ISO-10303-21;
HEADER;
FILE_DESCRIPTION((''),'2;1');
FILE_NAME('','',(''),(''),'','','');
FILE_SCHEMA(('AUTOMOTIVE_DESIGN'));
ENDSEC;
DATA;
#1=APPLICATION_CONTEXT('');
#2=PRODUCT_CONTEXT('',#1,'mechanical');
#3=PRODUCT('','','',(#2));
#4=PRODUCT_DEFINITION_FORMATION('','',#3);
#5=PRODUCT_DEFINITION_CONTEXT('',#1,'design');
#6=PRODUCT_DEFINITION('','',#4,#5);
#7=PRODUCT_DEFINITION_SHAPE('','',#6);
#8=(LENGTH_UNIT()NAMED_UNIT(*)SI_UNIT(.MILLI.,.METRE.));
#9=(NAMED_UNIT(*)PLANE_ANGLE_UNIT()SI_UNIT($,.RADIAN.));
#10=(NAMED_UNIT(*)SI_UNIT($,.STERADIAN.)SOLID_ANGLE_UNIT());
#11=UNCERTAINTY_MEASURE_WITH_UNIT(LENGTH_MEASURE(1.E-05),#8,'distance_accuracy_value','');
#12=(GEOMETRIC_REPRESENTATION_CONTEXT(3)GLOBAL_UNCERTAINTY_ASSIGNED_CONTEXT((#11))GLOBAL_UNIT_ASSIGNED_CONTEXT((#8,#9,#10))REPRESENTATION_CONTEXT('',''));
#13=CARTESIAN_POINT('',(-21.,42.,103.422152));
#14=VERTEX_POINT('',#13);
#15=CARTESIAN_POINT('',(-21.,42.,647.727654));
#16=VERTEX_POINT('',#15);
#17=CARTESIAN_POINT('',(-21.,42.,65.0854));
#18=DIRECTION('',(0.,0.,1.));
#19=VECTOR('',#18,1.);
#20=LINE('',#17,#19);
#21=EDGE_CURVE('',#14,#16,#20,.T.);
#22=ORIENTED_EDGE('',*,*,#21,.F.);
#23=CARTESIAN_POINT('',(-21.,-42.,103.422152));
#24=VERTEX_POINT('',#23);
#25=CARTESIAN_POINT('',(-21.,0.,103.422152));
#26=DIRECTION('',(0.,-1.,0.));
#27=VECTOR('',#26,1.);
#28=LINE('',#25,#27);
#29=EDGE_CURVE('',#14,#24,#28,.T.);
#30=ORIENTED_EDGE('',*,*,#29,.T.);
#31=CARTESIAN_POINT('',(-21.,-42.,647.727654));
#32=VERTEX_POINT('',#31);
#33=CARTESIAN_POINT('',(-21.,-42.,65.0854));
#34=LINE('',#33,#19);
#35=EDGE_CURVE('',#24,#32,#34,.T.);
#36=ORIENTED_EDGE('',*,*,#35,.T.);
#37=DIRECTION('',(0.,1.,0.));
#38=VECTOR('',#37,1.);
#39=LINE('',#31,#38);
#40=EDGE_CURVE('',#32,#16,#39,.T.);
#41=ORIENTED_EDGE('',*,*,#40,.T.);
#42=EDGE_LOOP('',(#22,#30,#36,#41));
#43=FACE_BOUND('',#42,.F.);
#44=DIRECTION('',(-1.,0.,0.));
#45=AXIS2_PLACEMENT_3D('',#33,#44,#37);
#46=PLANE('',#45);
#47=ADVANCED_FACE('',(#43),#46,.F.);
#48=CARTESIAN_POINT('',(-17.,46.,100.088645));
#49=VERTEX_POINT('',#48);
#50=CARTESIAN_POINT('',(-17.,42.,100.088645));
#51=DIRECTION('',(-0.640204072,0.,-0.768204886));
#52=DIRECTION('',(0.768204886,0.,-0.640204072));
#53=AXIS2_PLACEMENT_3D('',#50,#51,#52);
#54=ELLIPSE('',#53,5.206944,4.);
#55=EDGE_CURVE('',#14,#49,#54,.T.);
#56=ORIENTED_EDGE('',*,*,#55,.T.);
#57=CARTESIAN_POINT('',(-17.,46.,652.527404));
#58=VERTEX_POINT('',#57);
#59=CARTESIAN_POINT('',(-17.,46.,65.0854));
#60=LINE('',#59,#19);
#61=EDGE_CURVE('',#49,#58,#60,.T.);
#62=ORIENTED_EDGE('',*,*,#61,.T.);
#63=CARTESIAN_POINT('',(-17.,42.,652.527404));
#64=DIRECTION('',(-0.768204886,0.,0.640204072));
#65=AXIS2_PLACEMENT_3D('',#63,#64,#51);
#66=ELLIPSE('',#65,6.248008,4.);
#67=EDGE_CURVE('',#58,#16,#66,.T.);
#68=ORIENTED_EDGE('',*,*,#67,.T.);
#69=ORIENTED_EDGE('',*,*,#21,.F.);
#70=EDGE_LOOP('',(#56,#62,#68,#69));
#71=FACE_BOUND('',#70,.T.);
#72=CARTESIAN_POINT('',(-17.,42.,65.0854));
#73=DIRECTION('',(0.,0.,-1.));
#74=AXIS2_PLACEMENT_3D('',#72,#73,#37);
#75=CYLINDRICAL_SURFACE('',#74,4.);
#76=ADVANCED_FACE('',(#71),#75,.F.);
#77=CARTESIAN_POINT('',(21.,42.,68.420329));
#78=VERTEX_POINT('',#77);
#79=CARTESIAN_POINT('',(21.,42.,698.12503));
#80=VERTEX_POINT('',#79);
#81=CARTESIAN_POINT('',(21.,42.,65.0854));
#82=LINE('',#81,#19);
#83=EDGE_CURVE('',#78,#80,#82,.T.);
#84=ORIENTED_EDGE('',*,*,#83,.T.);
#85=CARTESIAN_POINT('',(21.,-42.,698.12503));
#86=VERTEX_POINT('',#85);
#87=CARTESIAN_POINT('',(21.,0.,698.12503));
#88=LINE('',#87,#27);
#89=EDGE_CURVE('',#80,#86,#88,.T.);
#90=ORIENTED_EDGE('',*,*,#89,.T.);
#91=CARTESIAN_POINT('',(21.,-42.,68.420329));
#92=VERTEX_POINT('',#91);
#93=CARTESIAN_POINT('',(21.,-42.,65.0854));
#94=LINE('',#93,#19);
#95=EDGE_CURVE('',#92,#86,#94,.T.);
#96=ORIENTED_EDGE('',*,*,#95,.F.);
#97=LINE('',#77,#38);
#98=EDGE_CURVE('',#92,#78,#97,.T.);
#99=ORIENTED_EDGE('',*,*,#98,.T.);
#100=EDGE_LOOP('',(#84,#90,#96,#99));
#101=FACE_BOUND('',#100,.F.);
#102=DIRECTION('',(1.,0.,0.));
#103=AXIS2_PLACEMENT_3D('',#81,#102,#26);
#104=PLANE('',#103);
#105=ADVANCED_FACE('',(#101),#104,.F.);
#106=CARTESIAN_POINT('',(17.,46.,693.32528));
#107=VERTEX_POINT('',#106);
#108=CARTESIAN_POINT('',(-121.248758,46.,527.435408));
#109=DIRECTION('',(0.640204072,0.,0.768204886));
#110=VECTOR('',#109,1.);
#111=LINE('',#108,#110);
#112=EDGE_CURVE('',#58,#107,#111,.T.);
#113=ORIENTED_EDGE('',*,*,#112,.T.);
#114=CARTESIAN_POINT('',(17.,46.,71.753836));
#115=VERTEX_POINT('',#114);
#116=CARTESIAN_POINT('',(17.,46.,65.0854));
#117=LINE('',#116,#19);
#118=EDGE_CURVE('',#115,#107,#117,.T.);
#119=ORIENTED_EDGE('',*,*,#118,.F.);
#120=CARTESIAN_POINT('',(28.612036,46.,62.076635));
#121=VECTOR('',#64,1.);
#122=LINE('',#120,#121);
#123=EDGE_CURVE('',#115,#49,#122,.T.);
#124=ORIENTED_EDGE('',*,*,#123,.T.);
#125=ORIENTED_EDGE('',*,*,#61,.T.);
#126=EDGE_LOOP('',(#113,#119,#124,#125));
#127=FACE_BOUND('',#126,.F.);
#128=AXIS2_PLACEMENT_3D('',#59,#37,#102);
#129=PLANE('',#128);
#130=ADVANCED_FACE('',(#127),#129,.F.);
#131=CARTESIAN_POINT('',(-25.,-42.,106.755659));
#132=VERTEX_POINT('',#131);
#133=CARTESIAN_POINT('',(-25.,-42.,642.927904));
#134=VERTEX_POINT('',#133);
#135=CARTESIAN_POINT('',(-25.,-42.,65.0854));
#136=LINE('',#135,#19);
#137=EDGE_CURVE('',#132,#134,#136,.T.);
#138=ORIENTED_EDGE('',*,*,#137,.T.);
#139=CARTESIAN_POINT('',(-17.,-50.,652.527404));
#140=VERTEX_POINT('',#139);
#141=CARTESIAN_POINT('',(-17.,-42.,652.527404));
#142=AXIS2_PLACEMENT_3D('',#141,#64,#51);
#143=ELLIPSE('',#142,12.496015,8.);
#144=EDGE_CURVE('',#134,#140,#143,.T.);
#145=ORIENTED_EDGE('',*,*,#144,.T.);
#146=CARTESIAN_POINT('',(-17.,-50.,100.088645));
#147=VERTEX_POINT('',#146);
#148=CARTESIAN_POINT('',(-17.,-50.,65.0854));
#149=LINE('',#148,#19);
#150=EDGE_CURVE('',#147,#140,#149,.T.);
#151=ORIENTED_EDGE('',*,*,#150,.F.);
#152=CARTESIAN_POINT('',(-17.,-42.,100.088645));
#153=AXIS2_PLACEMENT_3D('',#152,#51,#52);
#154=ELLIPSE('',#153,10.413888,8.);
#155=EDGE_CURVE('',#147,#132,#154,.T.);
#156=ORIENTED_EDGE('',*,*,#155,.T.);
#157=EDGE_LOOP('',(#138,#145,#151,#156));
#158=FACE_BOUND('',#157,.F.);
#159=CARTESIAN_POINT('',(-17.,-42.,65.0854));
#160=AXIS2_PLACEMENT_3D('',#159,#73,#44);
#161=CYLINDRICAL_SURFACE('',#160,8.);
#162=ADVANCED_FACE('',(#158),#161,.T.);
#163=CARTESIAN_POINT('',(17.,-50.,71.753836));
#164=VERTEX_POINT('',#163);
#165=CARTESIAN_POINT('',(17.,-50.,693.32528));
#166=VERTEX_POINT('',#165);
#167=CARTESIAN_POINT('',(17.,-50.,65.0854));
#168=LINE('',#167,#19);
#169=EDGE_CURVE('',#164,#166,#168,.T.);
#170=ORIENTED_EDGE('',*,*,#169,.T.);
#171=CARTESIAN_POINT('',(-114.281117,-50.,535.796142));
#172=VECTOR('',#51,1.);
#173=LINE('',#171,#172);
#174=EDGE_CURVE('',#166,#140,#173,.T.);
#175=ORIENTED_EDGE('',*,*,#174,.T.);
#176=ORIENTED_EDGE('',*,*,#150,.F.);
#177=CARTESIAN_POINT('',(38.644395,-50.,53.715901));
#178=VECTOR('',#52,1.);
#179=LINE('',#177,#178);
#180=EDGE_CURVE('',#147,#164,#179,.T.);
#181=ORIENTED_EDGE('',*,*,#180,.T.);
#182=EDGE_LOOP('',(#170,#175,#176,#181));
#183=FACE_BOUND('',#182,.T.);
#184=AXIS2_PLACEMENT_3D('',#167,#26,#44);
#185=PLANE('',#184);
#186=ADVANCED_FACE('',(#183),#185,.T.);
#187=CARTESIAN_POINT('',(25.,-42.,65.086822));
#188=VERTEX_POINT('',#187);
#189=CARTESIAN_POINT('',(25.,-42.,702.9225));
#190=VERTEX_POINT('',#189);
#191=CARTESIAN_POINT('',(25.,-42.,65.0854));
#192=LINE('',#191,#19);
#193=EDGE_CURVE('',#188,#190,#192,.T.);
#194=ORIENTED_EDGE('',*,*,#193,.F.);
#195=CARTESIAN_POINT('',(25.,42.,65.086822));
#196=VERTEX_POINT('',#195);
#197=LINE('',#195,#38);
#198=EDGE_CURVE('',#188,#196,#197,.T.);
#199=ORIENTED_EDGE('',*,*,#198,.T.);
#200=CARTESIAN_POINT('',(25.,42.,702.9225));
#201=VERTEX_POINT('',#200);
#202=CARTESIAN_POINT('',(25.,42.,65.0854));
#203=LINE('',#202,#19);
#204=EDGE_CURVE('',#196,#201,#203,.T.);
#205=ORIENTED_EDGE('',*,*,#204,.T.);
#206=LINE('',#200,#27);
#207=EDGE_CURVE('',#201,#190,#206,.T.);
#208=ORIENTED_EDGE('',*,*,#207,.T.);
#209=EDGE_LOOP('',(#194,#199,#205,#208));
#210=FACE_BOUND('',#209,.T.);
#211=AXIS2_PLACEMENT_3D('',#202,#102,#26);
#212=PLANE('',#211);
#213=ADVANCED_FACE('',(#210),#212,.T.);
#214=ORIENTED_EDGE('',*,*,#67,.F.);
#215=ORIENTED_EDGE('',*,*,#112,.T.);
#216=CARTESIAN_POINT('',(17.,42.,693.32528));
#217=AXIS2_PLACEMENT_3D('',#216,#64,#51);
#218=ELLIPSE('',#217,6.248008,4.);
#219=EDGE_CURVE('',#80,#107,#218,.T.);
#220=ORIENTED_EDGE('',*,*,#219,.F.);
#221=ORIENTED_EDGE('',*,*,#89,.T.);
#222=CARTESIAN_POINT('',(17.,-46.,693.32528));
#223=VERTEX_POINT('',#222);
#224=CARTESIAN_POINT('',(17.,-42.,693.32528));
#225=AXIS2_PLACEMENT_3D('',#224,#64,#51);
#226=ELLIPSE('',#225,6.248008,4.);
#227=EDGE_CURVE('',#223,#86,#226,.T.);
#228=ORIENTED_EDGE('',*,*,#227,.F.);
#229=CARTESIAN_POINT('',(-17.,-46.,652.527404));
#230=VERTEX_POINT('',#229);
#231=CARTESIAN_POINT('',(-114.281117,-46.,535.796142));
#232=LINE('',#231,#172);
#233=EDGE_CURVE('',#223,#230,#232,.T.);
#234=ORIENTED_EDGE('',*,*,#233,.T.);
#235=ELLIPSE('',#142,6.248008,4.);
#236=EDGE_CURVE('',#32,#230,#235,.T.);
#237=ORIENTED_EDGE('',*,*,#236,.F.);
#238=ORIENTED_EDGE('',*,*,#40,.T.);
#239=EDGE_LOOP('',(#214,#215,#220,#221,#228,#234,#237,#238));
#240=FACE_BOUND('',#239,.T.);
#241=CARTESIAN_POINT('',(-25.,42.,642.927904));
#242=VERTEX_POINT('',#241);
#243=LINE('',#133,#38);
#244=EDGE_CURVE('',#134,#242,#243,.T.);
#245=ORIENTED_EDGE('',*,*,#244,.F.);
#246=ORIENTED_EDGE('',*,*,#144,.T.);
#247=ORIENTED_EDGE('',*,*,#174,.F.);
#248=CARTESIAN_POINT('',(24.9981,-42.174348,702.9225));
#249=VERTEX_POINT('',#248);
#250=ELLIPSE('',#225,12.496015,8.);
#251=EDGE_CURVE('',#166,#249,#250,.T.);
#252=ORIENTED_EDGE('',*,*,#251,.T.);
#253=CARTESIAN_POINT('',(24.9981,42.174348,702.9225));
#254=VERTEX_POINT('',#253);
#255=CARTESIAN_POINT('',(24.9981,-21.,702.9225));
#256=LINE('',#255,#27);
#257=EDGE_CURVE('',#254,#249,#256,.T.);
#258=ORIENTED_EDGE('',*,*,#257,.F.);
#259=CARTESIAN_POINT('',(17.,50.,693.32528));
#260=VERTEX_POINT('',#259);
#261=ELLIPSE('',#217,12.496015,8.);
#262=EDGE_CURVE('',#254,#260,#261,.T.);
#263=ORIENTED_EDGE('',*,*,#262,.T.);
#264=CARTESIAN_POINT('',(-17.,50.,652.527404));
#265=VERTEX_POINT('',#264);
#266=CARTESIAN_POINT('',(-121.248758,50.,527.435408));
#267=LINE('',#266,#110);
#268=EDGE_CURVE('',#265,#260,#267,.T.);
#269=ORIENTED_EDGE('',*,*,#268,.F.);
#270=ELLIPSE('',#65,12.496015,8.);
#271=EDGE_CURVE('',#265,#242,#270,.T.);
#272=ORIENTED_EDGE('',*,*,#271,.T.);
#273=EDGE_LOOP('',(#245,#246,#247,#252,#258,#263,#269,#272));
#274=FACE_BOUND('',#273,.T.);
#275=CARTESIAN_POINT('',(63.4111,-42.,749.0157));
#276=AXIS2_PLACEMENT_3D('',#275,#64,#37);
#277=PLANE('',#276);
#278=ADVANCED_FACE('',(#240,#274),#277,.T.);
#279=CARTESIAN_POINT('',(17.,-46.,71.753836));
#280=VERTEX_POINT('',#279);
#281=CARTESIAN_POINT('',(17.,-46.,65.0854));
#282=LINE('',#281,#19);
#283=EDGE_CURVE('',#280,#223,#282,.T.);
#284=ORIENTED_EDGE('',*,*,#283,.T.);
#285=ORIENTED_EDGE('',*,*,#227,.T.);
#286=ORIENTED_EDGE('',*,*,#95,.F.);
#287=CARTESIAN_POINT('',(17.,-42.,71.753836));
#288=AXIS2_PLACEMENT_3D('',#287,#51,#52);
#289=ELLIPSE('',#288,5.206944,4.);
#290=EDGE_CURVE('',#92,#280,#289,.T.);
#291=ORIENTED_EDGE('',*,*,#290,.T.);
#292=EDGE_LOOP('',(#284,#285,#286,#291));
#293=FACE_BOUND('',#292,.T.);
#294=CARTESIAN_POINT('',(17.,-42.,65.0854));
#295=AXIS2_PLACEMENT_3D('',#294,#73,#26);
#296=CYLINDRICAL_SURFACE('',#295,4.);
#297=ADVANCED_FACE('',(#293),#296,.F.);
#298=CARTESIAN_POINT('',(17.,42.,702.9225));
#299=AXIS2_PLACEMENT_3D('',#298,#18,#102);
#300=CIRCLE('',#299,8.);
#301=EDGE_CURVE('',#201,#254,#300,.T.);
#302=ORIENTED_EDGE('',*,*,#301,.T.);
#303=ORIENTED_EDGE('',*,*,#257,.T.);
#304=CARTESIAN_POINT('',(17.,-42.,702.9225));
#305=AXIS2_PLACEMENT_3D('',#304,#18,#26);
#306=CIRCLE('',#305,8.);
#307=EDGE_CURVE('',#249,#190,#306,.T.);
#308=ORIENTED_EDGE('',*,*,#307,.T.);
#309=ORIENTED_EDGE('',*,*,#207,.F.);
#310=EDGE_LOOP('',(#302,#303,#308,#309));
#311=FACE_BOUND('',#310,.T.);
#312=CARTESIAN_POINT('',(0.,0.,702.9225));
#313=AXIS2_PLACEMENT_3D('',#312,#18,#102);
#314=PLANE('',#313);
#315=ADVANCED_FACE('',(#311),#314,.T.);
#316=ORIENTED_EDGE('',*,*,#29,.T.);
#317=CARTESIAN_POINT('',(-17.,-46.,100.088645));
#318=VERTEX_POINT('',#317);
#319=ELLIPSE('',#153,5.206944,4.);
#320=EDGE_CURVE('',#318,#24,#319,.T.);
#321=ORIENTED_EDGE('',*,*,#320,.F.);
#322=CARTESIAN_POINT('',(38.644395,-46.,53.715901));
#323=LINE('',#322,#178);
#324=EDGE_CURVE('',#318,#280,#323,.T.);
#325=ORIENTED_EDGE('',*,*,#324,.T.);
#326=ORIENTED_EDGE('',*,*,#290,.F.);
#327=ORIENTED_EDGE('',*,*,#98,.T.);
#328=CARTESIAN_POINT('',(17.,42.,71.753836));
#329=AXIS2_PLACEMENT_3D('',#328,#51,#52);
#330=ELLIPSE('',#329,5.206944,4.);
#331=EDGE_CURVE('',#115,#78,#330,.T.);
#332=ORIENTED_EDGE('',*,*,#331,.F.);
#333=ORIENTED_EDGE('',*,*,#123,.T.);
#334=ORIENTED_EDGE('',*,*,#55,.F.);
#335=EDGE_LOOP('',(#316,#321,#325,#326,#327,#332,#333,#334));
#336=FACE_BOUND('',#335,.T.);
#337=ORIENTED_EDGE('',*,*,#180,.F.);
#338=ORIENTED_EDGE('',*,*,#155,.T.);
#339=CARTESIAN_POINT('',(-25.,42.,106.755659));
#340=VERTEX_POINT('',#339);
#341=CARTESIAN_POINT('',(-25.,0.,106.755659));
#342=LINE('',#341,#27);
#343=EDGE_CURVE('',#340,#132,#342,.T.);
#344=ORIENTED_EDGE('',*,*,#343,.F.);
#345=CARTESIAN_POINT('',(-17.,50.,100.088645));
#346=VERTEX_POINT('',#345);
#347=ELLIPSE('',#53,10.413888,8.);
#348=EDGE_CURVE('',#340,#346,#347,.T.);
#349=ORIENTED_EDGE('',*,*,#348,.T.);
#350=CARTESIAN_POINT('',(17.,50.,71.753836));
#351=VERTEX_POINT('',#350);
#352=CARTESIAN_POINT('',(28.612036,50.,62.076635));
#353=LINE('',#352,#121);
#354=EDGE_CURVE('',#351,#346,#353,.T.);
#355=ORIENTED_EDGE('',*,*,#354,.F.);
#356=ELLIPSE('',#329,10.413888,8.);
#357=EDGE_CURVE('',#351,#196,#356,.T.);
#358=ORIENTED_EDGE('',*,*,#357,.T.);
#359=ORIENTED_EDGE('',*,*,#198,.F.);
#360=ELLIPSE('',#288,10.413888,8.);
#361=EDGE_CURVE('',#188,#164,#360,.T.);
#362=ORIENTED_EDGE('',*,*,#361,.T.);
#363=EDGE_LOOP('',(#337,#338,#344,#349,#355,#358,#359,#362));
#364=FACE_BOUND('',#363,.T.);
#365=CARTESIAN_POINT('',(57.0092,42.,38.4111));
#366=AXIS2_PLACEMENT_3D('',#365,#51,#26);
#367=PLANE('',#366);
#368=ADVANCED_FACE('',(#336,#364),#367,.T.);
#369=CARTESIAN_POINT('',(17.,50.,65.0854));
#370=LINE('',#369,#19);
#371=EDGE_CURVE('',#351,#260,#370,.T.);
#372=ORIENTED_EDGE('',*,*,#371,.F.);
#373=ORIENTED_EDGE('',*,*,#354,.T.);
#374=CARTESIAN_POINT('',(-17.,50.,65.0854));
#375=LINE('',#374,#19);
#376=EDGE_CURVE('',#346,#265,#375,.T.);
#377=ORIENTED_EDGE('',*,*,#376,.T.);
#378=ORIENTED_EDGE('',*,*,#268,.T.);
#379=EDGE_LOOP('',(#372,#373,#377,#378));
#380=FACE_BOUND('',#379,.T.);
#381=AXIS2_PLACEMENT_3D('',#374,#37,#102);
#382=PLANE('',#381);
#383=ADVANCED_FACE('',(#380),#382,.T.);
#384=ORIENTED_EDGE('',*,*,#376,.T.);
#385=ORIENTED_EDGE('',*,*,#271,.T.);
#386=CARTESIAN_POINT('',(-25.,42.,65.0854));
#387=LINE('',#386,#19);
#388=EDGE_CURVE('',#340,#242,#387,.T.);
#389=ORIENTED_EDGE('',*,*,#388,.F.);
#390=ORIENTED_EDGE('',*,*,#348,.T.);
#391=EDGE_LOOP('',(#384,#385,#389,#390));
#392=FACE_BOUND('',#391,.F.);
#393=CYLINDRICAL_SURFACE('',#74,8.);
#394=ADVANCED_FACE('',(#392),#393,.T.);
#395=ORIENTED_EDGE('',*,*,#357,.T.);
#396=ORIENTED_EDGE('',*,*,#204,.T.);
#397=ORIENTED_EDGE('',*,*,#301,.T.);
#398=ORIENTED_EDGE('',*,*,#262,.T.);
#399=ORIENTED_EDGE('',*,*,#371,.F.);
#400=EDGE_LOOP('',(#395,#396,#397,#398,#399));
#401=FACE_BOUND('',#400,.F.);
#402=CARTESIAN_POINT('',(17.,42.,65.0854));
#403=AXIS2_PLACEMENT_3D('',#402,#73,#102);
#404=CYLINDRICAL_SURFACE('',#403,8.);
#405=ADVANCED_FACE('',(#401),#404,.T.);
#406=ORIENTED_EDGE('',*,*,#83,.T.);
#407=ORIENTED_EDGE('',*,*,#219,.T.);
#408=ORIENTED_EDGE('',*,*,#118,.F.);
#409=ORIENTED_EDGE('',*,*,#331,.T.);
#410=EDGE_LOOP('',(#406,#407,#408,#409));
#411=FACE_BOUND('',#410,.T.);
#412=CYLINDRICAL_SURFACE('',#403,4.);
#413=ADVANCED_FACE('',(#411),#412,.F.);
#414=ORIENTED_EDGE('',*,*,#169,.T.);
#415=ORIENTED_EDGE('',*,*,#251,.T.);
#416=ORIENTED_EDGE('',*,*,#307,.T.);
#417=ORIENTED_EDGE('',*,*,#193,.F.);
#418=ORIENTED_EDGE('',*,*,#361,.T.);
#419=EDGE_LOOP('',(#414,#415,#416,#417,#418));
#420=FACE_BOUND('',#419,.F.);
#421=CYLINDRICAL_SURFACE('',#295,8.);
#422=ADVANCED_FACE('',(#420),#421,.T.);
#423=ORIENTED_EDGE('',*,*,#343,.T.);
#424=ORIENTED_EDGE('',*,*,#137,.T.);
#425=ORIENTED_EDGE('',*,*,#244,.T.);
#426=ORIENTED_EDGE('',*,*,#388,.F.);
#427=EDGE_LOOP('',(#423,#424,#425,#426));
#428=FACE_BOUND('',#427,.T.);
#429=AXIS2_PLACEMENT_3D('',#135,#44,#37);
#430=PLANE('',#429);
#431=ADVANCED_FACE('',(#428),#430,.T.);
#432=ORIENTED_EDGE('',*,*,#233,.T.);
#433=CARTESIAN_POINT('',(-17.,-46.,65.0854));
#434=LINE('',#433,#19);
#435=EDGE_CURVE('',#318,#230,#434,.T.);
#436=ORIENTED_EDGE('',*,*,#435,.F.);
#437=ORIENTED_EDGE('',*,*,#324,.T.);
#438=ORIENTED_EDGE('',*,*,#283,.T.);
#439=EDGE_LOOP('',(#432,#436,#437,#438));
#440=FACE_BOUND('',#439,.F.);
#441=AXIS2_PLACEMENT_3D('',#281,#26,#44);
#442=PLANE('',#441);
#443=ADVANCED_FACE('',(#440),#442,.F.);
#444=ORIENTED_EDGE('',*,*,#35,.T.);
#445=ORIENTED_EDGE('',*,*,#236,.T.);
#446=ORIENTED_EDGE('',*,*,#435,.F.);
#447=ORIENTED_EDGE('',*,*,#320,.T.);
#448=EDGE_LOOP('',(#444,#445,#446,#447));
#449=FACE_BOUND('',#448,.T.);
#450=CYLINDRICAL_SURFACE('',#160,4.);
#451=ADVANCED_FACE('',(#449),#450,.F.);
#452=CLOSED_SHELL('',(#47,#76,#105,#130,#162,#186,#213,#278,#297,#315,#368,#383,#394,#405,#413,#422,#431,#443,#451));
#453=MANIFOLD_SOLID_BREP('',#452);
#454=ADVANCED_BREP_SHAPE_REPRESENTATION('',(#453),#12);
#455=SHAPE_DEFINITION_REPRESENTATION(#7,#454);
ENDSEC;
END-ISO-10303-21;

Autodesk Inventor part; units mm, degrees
ref_plane "Start Plane" through (0, 0, 65.0854) normal (0, 0, 1) x (1, 0, 0)
ref_plane "End Plane" through (0, 0, 702.9225) normal (0, 0, 1) x (1, 0, 0)
sketch "Sketch" plane through (0, 0, 0) normal (0, 0, 1) x (1, 0, 0)
  line L0 (-25, -42) -> (-25, 42)
  line L1 (-17, 50) -> (17, 50)
  line L2 (25, 42) -> (25, -42)
  line L3 (17, -50) -> (-17, -50)
  arc A0 (-25, -42) -> (-17, -50) centre (-17, -42) ccw
  arc A1 (25, 42) -> (17, 50) centre (17, 42) ccw
  arc A2 (-17, 50) -> (-25, 42) centre (-17, 42) ccw
  arc A3 (17, -50) -> (25, -42) centre (17, -42) ccw
  arc A4 (-17, 46) -> (-21, 42) centre (-17, 42) ccw
  line L4 (-17, 46) -> (17, 46)
  arc A5 (21, 42) -> (17, 46) centre (17, 42) ccw
  line L5 (21, 42) -> (21, -42)
  arc A6 (17, -46) -> (21, -42) centre (17, -42) ccw
  line L6 (17, -46) -> (-17, -46)
  arc A7 (-21, -42) -> (-17, -46) centre (-17, -42) ccw
  line L7 (-21, -42) -> (-21, 42)
  line L8 (0, 72.3196) -> (0, -72.3196) construction
  line L9 (-37.3196, 0) -> (37.3196, 0) construction
  dimension "d7" = 8
  dimension "d9" = 50
  dimension "d11" = 100
  dimension "d12" = 4
  dimension "d15" = 25
  dimension "d16" = 50
extrude "Body" add sketch "Sketch" along normal up to surface (637.8371 mm away) from surface at 65.0854
sketch "Sketch3" plane through (0, 0, 0) normal (0, 0, 1) x (1, 0, 0)
  line L0 (0, 0) -> (10, 0)
ref_plane "Work Plane3" through (0, 0, 0) normal (0, -1, 0) x (1, 0, 0)
ref_plane "Work Plane4" through (63.4111, -42, 749.0157) normal (-0.7682, 0, 0.6402) x (0.6402, 0, 0.7682)
split "Split1" plane through (63.4111, -42, 749.0157) removes the side toward (-0.7682, 0, 0.6402)
ref_plane "Work Plane5" through (57.0092, 42, 38.4111) normal (-0.6402, 0, -0.7682) x (-0.7682, 0, 0.6402)
split "Split2" plane through (57.0092, 42, 38.4111) removes the side toward (-0.6402, 0, -0.7682)
sketch "Sketch4" plane through (0, 0, 0) normal (0, -1, 0) x (1, 0, 0)
  line L0 (-2, 65.0854) -> (12, 65.0854) projected
  line L1 (-2, 702.9225) -> (12, 702.9225) projected
  dimension "d18" = 637.8371
equation "\"d7\" = G_IR"
equation "\"d9\" = G_W"
equation "\"d11\" = G_H"
equation "\"d12\" = G_T"
equation "\"d15\" = 0.5 * d9"
equation "\"d16\" = 0.5 * d11"
equation "\"d3\" = G_L"
equation "\"G_W\" = 50"
equation "\"G_H\" = 100"
equation "\"G_T\" = 4"
equation "\"G_IR\" = 8"
equation "\"G_L\" = d18"
equation "\"G_OFFSET_START\" = -65.08541"
equation "\"G_OFFSET_END\" = -78.1025"
equation "\"d13\" = -G_OFFSET_START"
equation "\"d14\" = G_OFFSET_END + B_L"
equation "\"B_L\" = 781.02497"
properties part number "ISO 4019 - 100x50x4 - 637,84" material "Steel, Mild"
